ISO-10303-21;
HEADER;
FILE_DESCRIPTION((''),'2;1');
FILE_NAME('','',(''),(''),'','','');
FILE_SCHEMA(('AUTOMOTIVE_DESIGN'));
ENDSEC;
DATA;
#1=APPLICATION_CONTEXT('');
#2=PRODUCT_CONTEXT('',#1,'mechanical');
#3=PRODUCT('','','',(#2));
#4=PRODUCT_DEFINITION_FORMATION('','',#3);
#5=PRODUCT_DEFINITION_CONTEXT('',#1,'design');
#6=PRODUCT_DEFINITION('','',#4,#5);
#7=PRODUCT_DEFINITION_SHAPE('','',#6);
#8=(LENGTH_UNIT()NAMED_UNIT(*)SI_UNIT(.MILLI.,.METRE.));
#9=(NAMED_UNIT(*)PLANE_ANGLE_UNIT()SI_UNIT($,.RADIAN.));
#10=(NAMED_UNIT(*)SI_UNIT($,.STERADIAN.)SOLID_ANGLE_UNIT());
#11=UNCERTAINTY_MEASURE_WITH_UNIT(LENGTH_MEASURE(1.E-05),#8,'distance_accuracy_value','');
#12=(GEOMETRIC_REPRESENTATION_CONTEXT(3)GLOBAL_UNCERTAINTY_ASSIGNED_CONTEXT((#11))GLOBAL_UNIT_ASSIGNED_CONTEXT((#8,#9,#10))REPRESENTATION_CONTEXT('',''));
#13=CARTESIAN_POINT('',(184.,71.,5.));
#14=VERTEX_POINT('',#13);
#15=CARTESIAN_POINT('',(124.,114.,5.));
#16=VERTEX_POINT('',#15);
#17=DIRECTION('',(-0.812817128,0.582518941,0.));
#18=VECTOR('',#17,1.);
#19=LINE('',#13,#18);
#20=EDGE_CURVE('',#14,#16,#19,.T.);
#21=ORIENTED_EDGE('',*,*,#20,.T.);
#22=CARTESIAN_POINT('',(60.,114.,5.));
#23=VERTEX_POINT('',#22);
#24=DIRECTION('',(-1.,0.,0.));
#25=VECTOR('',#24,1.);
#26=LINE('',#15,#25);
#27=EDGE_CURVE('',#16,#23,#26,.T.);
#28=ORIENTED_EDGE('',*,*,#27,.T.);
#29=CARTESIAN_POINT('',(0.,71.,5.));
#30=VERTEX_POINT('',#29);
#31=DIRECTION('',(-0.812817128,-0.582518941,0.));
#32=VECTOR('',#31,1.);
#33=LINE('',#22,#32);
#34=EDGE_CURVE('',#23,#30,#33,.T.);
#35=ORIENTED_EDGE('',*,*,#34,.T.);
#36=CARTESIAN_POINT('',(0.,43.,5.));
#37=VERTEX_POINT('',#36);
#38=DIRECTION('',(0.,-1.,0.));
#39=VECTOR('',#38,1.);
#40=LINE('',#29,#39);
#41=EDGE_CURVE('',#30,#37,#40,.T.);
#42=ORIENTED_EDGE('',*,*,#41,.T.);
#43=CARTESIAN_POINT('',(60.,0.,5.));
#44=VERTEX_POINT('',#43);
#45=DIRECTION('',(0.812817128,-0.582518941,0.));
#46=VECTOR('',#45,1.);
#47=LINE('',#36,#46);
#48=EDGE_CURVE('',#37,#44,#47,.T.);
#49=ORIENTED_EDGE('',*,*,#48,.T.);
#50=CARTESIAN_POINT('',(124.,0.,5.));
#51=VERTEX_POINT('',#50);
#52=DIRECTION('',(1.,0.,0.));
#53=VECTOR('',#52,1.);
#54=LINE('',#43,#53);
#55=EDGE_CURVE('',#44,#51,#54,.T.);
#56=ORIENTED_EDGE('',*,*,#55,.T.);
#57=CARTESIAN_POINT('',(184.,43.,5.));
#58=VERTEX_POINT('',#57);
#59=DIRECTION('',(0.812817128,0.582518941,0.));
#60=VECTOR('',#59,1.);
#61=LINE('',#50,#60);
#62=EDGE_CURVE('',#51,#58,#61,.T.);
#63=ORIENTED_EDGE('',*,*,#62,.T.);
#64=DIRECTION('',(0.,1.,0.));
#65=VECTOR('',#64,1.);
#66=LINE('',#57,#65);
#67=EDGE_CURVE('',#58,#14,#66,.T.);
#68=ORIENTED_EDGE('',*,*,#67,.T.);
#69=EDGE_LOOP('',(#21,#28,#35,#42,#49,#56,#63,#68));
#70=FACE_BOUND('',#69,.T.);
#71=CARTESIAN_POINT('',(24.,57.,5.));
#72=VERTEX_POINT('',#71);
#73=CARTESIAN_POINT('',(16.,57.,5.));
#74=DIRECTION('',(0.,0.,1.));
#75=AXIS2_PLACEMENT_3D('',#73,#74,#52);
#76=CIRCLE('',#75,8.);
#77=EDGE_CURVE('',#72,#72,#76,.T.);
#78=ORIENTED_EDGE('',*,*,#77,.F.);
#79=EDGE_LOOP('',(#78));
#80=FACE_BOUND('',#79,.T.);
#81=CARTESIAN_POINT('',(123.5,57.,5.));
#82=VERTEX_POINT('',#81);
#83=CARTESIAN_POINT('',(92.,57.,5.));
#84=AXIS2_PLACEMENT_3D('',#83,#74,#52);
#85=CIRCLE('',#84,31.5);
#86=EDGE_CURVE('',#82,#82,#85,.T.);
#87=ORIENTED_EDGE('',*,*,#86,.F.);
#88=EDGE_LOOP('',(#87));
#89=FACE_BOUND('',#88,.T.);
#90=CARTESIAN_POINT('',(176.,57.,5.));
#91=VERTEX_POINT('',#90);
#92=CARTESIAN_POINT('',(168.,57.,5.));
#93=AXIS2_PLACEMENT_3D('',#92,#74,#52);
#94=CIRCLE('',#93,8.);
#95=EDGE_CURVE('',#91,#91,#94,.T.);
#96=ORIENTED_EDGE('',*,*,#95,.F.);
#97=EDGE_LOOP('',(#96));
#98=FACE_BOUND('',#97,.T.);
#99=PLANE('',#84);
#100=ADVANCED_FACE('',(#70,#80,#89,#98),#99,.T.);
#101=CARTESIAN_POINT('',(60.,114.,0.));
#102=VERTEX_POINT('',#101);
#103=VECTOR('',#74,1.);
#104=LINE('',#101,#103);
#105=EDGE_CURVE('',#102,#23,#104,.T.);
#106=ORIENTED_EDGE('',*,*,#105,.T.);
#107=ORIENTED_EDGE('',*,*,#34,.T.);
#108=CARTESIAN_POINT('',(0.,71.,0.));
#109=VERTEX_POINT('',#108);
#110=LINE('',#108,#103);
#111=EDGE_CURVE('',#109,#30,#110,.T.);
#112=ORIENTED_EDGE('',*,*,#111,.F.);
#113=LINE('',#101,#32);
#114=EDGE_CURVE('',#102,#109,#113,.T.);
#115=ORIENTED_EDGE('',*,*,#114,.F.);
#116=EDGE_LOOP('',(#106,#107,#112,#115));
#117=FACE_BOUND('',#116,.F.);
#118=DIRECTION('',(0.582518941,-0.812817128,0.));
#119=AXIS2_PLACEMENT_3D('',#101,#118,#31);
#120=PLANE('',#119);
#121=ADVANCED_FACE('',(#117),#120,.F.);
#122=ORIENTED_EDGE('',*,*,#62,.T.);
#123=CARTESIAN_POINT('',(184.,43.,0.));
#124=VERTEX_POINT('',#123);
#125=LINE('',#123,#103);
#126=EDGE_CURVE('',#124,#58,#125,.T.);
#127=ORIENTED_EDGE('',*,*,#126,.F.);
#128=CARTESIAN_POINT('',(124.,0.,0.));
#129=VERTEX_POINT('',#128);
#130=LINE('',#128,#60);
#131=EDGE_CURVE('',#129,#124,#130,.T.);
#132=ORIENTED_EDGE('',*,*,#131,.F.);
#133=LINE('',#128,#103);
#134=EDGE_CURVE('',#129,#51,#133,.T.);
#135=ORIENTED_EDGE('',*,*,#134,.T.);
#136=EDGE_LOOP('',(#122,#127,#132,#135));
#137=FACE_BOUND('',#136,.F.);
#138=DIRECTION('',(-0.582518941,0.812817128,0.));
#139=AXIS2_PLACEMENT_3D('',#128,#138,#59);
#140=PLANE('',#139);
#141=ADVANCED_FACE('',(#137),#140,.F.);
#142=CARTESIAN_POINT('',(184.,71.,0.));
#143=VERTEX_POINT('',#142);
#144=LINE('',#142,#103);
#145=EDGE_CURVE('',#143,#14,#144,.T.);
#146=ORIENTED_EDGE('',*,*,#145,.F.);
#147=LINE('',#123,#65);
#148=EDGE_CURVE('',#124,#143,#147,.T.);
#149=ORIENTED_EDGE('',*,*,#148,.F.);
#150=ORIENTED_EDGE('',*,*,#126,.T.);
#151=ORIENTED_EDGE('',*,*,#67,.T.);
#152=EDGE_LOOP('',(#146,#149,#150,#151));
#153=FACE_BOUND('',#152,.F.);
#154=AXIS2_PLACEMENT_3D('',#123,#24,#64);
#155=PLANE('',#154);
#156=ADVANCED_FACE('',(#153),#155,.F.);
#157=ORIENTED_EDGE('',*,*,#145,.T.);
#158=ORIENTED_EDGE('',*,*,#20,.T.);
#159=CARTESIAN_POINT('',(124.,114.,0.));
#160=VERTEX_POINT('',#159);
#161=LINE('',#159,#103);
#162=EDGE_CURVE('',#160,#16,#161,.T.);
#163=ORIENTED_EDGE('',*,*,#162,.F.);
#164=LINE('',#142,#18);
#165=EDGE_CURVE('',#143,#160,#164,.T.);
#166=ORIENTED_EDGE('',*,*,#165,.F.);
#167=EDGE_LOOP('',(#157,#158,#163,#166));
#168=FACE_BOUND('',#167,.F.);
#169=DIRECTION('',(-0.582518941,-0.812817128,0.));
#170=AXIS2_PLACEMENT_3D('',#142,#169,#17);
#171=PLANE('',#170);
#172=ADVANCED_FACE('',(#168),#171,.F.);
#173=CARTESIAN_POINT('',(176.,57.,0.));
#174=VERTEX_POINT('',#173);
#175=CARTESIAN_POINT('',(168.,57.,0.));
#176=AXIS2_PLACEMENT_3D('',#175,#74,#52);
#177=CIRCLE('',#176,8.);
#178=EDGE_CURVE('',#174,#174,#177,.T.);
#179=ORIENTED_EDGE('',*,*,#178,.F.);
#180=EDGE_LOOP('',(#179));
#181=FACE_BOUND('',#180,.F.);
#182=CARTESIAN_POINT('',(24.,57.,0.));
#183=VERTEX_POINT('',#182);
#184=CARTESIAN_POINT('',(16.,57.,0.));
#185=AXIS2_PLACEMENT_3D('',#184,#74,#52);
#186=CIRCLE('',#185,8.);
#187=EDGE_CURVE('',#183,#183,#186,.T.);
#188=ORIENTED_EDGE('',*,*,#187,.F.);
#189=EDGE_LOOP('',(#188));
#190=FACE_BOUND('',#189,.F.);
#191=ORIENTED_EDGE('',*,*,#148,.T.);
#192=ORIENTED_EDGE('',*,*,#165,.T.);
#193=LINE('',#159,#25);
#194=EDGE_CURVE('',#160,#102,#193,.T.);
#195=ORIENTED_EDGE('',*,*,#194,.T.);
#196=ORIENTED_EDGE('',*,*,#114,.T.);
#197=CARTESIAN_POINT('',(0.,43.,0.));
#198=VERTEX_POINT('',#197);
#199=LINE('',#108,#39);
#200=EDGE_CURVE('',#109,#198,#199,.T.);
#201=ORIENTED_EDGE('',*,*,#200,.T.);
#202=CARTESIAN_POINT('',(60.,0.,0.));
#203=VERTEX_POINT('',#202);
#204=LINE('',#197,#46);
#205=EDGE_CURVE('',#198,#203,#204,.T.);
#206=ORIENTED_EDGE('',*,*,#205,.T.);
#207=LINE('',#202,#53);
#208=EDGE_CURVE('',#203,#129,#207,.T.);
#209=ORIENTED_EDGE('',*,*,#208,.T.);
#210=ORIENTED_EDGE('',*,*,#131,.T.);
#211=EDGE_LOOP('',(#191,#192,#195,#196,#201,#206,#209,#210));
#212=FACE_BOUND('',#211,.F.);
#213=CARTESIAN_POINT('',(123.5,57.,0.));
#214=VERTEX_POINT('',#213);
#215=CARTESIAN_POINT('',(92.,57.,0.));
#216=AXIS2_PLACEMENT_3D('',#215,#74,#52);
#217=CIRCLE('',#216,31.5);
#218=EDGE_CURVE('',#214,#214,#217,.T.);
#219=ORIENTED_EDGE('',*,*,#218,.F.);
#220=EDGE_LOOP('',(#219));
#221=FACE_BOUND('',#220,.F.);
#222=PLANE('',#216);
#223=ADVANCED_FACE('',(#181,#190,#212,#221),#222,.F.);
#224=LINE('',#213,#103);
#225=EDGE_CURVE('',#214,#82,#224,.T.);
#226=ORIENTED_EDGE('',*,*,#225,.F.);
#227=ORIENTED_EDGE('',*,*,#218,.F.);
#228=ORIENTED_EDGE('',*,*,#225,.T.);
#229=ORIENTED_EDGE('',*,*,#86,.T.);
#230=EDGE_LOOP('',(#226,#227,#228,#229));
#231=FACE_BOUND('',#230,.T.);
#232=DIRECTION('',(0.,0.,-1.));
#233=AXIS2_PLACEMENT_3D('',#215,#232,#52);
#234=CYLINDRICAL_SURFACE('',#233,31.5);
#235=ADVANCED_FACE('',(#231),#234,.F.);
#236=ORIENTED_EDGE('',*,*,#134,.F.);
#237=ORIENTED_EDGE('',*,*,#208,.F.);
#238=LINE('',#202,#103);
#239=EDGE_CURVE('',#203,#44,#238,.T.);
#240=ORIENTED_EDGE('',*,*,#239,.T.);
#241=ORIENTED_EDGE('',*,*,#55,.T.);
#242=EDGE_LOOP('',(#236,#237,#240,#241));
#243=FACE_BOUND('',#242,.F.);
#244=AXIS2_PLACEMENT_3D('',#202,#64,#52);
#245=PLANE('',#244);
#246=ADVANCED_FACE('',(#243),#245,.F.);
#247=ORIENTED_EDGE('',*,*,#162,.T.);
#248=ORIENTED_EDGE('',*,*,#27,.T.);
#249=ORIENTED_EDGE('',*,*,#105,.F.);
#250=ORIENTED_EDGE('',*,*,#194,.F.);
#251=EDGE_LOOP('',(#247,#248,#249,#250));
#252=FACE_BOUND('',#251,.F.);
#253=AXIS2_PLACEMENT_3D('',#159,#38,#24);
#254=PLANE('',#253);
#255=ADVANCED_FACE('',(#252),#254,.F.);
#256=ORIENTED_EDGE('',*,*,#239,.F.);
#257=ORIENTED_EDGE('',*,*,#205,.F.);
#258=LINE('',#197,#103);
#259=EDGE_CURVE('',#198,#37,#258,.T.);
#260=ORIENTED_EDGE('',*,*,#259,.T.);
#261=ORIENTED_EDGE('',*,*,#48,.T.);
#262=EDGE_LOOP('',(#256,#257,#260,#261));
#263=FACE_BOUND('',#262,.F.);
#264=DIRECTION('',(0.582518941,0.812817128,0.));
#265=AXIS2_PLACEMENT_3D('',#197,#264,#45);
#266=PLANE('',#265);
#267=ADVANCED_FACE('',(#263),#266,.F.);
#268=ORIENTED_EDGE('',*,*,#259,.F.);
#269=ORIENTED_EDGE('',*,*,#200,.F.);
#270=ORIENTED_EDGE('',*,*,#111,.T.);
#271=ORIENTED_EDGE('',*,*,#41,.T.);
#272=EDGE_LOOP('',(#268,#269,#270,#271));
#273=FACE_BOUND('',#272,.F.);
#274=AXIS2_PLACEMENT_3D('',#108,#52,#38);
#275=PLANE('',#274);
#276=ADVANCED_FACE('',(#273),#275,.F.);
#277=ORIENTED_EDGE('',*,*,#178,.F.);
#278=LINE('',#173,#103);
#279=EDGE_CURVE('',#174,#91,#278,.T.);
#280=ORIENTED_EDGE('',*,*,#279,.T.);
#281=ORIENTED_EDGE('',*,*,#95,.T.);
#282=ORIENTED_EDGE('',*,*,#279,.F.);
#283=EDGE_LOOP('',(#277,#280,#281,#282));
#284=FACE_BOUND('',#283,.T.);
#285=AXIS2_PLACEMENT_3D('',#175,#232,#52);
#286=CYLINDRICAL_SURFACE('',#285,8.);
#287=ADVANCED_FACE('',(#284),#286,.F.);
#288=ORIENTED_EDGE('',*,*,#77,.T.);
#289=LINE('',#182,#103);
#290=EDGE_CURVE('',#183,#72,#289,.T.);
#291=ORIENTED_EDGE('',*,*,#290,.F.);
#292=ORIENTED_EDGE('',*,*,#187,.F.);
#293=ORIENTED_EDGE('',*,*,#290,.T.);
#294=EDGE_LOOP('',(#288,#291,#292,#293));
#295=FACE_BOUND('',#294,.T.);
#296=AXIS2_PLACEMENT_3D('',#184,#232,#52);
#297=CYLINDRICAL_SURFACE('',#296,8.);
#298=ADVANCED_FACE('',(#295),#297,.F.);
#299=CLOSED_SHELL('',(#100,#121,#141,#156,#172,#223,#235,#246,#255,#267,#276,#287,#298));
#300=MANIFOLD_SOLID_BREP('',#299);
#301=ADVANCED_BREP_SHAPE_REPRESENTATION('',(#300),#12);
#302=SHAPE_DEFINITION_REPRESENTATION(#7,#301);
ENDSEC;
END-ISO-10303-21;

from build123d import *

# Parameters (mm, degrees)
F0_R     = 8
F0_R_2   = 31.5
F1_DEPTH = 5


with BuildPart() as f1:
    # F0 (on Top) → F1 (new body)
    with BuildSketch(Plane.XY):
        Polygon((0, 43), (60, 0), (124, 0), (184, 43), (184, 71), (124, 114), (60, 114), (0, 71), align=None)
        with Locations((16, 57)):
            Circle(F0_R, mode=Mode.SUBTRACT)
        with Locations((92, 57)):
            Circle(F0_R_2, mode=Mode.SUBTRACT)
        with Locations((168, 57)):
            Circle(F0_R, mode=Mode.SUBTRACT)
    extrude(amount=F1_DEPTH)


solid = f1.part
